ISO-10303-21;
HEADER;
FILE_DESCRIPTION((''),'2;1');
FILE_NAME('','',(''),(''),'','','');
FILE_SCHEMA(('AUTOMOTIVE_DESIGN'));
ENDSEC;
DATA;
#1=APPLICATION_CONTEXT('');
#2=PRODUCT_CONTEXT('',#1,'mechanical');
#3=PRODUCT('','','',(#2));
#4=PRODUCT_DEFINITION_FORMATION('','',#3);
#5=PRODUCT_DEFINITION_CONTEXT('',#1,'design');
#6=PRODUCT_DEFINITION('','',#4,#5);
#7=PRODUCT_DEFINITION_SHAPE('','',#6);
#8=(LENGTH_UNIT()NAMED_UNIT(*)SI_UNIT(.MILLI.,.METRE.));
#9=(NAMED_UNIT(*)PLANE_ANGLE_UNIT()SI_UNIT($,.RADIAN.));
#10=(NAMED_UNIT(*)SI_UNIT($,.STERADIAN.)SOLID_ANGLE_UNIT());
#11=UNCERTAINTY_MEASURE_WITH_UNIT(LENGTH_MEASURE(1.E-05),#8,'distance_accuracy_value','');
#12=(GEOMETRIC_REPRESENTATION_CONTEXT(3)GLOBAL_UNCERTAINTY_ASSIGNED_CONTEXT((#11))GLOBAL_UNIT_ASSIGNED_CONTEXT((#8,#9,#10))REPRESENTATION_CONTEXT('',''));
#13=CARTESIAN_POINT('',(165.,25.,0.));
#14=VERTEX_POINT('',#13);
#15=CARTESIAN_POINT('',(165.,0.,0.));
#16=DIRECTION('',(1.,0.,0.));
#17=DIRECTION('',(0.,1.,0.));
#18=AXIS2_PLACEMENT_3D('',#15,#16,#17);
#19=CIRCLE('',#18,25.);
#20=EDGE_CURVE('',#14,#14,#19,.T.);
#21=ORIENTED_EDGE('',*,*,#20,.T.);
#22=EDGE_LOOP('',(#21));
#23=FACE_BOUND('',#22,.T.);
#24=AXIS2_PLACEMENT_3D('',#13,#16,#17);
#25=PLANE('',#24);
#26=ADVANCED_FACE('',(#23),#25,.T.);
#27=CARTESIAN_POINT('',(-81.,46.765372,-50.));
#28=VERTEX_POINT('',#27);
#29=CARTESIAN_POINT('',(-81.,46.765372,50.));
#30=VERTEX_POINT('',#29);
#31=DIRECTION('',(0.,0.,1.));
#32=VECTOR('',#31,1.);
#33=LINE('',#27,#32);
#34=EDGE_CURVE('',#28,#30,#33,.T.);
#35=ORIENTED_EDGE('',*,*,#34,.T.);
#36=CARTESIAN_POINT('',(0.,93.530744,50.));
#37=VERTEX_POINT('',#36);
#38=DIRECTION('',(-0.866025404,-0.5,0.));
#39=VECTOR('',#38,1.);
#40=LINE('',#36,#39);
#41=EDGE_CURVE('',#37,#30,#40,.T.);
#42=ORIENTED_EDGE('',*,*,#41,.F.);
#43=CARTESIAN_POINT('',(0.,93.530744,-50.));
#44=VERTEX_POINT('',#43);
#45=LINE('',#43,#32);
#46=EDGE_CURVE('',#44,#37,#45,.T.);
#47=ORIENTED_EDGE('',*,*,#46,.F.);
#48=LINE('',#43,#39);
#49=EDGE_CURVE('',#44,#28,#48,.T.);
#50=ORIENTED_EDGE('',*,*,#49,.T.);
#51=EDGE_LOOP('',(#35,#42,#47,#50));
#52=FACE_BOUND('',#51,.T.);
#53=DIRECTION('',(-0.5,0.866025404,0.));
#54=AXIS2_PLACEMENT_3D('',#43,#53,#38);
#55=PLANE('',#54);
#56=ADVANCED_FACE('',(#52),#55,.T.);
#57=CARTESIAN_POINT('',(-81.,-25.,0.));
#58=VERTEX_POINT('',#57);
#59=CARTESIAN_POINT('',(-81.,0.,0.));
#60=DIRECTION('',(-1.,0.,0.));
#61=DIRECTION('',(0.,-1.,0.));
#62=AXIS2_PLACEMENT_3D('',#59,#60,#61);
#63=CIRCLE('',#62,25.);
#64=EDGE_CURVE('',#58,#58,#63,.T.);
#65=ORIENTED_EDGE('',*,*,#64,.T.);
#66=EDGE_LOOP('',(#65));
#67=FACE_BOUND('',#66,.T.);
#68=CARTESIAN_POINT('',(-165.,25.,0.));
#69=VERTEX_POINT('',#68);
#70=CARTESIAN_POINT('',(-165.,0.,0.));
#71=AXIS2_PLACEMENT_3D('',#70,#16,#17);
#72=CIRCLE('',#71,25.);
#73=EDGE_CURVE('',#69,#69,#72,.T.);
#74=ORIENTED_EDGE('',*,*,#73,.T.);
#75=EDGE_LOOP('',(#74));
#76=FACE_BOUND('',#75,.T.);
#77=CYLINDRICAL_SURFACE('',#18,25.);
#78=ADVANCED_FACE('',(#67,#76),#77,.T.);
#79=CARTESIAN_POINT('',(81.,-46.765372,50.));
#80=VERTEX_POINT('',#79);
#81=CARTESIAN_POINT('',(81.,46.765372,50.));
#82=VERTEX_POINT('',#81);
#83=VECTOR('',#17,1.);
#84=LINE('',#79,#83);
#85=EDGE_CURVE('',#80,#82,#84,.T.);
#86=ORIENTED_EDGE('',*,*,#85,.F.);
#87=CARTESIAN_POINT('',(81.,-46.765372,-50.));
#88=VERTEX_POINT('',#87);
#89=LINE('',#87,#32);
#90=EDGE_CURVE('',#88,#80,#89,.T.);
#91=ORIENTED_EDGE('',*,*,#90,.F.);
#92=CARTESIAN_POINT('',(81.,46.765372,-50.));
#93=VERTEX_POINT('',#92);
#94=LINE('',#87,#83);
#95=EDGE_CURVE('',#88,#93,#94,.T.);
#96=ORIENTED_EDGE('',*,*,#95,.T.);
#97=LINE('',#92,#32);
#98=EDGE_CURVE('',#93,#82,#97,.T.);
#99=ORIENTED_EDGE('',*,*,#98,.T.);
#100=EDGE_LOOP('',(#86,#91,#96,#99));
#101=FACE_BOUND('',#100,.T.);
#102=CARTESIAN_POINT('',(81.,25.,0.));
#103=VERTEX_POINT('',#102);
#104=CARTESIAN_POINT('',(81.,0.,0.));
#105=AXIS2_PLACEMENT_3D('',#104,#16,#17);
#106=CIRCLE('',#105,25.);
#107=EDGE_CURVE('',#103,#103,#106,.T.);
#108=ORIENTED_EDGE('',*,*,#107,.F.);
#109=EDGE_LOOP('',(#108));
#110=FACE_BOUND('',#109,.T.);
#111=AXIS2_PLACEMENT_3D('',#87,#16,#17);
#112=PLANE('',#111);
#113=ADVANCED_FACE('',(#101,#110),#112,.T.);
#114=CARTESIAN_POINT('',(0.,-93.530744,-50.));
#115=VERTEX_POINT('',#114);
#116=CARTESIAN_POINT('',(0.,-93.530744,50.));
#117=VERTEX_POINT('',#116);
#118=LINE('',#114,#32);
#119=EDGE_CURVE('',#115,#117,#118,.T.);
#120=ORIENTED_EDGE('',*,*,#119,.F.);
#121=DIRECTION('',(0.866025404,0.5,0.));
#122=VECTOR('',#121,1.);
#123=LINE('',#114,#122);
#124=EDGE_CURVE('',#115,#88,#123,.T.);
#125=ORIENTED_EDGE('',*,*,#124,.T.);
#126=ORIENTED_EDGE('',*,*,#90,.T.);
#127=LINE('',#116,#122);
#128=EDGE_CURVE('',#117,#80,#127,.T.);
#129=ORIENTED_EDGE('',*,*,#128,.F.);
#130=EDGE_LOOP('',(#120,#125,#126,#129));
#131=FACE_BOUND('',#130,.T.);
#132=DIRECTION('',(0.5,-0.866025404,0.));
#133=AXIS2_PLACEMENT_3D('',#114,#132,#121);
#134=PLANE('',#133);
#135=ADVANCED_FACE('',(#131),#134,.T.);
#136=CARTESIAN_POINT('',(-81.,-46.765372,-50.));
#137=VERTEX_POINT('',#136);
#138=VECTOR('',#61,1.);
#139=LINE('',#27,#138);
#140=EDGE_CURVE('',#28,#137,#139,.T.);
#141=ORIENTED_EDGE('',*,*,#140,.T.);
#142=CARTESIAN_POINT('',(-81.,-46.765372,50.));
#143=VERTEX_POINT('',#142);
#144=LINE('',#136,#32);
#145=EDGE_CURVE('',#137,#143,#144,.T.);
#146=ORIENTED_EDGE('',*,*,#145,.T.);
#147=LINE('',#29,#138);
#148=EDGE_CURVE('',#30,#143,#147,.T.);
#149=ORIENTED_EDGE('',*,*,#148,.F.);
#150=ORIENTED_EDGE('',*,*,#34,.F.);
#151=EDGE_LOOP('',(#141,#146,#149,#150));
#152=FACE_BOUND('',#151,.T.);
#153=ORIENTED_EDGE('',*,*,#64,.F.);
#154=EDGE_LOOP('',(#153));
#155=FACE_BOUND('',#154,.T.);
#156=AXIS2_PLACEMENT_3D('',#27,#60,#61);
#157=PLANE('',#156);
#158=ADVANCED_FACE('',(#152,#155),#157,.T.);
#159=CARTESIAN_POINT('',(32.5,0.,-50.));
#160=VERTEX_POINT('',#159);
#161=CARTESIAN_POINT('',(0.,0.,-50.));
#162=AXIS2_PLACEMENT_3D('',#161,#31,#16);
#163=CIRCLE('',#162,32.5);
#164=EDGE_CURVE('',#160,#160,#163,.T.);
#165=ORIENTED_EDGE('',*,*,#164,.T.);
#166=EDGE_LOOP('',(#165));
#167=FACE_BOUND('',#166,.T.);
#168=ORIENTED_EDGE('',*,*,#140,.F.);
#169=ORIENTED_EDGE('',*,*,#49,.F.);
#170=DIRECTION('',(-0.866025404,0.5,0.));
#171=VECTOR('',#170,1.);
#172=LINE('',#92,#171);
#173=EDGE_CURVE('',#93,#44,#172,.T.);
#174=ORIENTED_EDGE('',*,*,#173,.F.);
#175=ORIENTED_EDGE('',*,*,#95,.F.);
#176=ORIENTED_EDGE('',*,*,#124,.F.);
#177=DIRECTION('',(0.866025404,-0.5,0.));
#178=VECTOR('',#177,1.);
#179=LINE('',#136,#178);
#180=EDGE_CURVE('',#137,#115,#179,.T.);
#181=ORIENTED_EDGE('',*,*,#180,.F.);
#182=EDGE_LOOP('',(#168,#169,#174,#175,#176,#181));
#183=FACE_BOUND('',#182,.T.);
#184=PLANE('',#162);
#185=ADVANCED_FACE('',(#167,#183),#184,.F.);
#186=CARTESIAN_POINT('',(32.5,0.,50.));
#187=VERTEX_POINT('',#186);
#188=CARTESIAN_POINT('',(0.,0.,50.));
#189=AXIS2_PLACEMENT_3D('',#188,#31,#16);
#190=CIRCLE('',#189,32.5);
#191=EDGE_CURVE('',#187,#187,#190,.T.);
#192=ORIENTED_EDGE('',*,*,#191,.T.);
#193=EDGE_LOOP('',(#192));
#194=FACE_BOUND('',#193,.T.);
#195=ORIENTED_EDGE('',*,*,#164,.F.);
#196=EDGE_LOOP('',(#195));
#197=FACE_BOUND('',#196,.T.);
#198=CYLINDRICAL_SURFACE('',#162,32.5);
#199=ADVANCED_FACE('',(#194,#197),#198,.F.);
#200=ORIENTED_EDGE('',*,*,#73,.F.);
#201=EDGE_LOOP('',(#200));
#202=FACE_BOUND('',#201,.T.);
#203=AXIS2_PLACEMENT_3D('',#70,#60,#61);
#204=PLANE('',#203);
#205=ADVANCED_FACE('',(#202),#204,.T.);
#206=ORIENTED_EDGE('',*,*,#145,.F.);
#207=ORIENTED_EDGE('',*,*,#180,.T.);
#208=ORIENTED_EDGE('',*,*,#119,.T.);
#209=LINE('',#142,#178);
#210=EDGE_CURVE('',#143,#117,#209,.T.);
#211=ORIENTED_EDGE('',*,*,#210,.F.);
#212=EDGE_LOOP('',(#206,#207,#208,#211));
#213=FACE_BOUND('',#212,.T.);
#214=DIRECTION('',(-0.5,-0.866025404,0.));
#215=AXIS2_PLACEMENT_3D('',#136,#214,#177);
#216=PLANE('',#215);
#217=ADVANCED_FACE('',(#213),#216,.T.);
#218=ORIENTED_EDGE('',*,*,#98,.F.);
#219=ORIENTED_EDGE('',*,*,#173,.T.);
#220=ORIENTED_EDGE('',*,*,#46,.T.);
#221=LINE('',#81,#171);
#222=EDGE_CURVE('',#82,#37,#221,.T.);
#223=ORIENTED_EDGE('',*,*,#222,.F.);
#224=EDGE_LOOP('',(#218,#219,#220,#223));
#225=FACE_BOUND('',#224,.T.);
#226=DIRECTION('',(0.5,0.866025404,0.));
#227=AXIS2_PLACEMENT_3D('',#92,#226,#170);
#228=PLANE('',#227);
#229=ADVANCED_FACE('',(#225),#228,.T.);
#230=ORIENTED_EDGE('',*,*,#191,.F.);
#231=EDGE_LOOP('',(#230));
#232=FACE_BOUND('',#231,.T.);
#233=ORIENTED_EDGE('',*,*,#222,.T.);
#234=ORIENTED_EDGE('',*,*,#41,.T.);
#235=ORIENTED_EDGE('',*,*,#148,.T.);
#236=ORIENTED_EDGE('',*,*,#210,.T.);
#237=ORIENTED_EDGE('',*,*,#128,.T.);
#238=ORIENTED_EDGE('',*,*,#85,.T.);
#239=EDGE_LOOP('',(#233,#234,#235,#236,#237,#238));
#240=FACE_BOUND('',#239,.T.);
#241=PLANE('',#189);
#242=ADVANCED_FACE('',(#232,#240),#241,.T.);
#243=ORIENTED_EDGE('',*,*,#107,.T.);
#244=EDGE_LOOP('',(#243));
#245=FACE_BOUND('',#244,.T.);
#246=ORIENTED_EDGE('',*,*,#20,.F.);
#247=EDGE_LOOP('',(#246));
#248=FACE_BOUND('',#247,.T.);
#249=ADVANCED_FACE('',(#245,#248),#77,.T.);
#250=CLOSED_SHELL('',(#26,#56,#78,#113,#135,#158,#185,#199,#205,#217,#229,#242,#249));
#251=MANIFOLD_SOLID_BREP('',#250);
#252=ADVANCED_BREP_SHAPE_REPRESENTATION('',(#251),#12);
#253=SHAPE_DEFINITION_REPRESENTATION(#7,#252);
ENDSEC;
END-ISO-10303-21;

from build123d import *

# Parameters (mm, degrees)
BOSS_EXTRUDE2_DEPTH      = 50
BOSS_EXTRUDE2_DEPTH_BACK = 50
SKETCH4_W                = 330
SKETCH4_H                = 25
SKETCH5_R                = 32.5
CUT_EXTRUDE1_DEPTH       = 215.413152582


with BuildPart() as part:
    # Sketch1 → Boss-Extrude2 (new, two sides: drawn at the far end of the back side and taken through both)
    with BuildSketch(Plane.XY.offset(-BOSS_EXTRUDE2_DEPTH_BACK)):
        Polygon((0, -93.530743609), (81, -46.765371804), (81, 46.765371804), (0, 93.530743609), (-81, 46.765371804), (-81, -46.765371804), align=None)
    extrude(amount=BOSS_EXTRUDE2_DEPTH + BOSS_EXTRUDE2_DEPTH_BACK)

    # Sketch4 → Revolve2 (revolve)
    with BuildSketch(Plane.XY):
        with Locations((0, 12.5)):
            Rectangle(SKETCH4_W, SKETCH4_H)
    revolve(axis=Axis((165, 0, 0), (-1, 0, 0)))

    # Sketch5 → Cut-Extrude1 (cut, through all)
    with BuildSketch(Plane.XY.offset(50)):
        Circle(SKETCH5_R)
    extrude(amount=-CUT_EXTRUDE1_DEPTH, mode=Mode.SUBTRACT)


solid = part.part
